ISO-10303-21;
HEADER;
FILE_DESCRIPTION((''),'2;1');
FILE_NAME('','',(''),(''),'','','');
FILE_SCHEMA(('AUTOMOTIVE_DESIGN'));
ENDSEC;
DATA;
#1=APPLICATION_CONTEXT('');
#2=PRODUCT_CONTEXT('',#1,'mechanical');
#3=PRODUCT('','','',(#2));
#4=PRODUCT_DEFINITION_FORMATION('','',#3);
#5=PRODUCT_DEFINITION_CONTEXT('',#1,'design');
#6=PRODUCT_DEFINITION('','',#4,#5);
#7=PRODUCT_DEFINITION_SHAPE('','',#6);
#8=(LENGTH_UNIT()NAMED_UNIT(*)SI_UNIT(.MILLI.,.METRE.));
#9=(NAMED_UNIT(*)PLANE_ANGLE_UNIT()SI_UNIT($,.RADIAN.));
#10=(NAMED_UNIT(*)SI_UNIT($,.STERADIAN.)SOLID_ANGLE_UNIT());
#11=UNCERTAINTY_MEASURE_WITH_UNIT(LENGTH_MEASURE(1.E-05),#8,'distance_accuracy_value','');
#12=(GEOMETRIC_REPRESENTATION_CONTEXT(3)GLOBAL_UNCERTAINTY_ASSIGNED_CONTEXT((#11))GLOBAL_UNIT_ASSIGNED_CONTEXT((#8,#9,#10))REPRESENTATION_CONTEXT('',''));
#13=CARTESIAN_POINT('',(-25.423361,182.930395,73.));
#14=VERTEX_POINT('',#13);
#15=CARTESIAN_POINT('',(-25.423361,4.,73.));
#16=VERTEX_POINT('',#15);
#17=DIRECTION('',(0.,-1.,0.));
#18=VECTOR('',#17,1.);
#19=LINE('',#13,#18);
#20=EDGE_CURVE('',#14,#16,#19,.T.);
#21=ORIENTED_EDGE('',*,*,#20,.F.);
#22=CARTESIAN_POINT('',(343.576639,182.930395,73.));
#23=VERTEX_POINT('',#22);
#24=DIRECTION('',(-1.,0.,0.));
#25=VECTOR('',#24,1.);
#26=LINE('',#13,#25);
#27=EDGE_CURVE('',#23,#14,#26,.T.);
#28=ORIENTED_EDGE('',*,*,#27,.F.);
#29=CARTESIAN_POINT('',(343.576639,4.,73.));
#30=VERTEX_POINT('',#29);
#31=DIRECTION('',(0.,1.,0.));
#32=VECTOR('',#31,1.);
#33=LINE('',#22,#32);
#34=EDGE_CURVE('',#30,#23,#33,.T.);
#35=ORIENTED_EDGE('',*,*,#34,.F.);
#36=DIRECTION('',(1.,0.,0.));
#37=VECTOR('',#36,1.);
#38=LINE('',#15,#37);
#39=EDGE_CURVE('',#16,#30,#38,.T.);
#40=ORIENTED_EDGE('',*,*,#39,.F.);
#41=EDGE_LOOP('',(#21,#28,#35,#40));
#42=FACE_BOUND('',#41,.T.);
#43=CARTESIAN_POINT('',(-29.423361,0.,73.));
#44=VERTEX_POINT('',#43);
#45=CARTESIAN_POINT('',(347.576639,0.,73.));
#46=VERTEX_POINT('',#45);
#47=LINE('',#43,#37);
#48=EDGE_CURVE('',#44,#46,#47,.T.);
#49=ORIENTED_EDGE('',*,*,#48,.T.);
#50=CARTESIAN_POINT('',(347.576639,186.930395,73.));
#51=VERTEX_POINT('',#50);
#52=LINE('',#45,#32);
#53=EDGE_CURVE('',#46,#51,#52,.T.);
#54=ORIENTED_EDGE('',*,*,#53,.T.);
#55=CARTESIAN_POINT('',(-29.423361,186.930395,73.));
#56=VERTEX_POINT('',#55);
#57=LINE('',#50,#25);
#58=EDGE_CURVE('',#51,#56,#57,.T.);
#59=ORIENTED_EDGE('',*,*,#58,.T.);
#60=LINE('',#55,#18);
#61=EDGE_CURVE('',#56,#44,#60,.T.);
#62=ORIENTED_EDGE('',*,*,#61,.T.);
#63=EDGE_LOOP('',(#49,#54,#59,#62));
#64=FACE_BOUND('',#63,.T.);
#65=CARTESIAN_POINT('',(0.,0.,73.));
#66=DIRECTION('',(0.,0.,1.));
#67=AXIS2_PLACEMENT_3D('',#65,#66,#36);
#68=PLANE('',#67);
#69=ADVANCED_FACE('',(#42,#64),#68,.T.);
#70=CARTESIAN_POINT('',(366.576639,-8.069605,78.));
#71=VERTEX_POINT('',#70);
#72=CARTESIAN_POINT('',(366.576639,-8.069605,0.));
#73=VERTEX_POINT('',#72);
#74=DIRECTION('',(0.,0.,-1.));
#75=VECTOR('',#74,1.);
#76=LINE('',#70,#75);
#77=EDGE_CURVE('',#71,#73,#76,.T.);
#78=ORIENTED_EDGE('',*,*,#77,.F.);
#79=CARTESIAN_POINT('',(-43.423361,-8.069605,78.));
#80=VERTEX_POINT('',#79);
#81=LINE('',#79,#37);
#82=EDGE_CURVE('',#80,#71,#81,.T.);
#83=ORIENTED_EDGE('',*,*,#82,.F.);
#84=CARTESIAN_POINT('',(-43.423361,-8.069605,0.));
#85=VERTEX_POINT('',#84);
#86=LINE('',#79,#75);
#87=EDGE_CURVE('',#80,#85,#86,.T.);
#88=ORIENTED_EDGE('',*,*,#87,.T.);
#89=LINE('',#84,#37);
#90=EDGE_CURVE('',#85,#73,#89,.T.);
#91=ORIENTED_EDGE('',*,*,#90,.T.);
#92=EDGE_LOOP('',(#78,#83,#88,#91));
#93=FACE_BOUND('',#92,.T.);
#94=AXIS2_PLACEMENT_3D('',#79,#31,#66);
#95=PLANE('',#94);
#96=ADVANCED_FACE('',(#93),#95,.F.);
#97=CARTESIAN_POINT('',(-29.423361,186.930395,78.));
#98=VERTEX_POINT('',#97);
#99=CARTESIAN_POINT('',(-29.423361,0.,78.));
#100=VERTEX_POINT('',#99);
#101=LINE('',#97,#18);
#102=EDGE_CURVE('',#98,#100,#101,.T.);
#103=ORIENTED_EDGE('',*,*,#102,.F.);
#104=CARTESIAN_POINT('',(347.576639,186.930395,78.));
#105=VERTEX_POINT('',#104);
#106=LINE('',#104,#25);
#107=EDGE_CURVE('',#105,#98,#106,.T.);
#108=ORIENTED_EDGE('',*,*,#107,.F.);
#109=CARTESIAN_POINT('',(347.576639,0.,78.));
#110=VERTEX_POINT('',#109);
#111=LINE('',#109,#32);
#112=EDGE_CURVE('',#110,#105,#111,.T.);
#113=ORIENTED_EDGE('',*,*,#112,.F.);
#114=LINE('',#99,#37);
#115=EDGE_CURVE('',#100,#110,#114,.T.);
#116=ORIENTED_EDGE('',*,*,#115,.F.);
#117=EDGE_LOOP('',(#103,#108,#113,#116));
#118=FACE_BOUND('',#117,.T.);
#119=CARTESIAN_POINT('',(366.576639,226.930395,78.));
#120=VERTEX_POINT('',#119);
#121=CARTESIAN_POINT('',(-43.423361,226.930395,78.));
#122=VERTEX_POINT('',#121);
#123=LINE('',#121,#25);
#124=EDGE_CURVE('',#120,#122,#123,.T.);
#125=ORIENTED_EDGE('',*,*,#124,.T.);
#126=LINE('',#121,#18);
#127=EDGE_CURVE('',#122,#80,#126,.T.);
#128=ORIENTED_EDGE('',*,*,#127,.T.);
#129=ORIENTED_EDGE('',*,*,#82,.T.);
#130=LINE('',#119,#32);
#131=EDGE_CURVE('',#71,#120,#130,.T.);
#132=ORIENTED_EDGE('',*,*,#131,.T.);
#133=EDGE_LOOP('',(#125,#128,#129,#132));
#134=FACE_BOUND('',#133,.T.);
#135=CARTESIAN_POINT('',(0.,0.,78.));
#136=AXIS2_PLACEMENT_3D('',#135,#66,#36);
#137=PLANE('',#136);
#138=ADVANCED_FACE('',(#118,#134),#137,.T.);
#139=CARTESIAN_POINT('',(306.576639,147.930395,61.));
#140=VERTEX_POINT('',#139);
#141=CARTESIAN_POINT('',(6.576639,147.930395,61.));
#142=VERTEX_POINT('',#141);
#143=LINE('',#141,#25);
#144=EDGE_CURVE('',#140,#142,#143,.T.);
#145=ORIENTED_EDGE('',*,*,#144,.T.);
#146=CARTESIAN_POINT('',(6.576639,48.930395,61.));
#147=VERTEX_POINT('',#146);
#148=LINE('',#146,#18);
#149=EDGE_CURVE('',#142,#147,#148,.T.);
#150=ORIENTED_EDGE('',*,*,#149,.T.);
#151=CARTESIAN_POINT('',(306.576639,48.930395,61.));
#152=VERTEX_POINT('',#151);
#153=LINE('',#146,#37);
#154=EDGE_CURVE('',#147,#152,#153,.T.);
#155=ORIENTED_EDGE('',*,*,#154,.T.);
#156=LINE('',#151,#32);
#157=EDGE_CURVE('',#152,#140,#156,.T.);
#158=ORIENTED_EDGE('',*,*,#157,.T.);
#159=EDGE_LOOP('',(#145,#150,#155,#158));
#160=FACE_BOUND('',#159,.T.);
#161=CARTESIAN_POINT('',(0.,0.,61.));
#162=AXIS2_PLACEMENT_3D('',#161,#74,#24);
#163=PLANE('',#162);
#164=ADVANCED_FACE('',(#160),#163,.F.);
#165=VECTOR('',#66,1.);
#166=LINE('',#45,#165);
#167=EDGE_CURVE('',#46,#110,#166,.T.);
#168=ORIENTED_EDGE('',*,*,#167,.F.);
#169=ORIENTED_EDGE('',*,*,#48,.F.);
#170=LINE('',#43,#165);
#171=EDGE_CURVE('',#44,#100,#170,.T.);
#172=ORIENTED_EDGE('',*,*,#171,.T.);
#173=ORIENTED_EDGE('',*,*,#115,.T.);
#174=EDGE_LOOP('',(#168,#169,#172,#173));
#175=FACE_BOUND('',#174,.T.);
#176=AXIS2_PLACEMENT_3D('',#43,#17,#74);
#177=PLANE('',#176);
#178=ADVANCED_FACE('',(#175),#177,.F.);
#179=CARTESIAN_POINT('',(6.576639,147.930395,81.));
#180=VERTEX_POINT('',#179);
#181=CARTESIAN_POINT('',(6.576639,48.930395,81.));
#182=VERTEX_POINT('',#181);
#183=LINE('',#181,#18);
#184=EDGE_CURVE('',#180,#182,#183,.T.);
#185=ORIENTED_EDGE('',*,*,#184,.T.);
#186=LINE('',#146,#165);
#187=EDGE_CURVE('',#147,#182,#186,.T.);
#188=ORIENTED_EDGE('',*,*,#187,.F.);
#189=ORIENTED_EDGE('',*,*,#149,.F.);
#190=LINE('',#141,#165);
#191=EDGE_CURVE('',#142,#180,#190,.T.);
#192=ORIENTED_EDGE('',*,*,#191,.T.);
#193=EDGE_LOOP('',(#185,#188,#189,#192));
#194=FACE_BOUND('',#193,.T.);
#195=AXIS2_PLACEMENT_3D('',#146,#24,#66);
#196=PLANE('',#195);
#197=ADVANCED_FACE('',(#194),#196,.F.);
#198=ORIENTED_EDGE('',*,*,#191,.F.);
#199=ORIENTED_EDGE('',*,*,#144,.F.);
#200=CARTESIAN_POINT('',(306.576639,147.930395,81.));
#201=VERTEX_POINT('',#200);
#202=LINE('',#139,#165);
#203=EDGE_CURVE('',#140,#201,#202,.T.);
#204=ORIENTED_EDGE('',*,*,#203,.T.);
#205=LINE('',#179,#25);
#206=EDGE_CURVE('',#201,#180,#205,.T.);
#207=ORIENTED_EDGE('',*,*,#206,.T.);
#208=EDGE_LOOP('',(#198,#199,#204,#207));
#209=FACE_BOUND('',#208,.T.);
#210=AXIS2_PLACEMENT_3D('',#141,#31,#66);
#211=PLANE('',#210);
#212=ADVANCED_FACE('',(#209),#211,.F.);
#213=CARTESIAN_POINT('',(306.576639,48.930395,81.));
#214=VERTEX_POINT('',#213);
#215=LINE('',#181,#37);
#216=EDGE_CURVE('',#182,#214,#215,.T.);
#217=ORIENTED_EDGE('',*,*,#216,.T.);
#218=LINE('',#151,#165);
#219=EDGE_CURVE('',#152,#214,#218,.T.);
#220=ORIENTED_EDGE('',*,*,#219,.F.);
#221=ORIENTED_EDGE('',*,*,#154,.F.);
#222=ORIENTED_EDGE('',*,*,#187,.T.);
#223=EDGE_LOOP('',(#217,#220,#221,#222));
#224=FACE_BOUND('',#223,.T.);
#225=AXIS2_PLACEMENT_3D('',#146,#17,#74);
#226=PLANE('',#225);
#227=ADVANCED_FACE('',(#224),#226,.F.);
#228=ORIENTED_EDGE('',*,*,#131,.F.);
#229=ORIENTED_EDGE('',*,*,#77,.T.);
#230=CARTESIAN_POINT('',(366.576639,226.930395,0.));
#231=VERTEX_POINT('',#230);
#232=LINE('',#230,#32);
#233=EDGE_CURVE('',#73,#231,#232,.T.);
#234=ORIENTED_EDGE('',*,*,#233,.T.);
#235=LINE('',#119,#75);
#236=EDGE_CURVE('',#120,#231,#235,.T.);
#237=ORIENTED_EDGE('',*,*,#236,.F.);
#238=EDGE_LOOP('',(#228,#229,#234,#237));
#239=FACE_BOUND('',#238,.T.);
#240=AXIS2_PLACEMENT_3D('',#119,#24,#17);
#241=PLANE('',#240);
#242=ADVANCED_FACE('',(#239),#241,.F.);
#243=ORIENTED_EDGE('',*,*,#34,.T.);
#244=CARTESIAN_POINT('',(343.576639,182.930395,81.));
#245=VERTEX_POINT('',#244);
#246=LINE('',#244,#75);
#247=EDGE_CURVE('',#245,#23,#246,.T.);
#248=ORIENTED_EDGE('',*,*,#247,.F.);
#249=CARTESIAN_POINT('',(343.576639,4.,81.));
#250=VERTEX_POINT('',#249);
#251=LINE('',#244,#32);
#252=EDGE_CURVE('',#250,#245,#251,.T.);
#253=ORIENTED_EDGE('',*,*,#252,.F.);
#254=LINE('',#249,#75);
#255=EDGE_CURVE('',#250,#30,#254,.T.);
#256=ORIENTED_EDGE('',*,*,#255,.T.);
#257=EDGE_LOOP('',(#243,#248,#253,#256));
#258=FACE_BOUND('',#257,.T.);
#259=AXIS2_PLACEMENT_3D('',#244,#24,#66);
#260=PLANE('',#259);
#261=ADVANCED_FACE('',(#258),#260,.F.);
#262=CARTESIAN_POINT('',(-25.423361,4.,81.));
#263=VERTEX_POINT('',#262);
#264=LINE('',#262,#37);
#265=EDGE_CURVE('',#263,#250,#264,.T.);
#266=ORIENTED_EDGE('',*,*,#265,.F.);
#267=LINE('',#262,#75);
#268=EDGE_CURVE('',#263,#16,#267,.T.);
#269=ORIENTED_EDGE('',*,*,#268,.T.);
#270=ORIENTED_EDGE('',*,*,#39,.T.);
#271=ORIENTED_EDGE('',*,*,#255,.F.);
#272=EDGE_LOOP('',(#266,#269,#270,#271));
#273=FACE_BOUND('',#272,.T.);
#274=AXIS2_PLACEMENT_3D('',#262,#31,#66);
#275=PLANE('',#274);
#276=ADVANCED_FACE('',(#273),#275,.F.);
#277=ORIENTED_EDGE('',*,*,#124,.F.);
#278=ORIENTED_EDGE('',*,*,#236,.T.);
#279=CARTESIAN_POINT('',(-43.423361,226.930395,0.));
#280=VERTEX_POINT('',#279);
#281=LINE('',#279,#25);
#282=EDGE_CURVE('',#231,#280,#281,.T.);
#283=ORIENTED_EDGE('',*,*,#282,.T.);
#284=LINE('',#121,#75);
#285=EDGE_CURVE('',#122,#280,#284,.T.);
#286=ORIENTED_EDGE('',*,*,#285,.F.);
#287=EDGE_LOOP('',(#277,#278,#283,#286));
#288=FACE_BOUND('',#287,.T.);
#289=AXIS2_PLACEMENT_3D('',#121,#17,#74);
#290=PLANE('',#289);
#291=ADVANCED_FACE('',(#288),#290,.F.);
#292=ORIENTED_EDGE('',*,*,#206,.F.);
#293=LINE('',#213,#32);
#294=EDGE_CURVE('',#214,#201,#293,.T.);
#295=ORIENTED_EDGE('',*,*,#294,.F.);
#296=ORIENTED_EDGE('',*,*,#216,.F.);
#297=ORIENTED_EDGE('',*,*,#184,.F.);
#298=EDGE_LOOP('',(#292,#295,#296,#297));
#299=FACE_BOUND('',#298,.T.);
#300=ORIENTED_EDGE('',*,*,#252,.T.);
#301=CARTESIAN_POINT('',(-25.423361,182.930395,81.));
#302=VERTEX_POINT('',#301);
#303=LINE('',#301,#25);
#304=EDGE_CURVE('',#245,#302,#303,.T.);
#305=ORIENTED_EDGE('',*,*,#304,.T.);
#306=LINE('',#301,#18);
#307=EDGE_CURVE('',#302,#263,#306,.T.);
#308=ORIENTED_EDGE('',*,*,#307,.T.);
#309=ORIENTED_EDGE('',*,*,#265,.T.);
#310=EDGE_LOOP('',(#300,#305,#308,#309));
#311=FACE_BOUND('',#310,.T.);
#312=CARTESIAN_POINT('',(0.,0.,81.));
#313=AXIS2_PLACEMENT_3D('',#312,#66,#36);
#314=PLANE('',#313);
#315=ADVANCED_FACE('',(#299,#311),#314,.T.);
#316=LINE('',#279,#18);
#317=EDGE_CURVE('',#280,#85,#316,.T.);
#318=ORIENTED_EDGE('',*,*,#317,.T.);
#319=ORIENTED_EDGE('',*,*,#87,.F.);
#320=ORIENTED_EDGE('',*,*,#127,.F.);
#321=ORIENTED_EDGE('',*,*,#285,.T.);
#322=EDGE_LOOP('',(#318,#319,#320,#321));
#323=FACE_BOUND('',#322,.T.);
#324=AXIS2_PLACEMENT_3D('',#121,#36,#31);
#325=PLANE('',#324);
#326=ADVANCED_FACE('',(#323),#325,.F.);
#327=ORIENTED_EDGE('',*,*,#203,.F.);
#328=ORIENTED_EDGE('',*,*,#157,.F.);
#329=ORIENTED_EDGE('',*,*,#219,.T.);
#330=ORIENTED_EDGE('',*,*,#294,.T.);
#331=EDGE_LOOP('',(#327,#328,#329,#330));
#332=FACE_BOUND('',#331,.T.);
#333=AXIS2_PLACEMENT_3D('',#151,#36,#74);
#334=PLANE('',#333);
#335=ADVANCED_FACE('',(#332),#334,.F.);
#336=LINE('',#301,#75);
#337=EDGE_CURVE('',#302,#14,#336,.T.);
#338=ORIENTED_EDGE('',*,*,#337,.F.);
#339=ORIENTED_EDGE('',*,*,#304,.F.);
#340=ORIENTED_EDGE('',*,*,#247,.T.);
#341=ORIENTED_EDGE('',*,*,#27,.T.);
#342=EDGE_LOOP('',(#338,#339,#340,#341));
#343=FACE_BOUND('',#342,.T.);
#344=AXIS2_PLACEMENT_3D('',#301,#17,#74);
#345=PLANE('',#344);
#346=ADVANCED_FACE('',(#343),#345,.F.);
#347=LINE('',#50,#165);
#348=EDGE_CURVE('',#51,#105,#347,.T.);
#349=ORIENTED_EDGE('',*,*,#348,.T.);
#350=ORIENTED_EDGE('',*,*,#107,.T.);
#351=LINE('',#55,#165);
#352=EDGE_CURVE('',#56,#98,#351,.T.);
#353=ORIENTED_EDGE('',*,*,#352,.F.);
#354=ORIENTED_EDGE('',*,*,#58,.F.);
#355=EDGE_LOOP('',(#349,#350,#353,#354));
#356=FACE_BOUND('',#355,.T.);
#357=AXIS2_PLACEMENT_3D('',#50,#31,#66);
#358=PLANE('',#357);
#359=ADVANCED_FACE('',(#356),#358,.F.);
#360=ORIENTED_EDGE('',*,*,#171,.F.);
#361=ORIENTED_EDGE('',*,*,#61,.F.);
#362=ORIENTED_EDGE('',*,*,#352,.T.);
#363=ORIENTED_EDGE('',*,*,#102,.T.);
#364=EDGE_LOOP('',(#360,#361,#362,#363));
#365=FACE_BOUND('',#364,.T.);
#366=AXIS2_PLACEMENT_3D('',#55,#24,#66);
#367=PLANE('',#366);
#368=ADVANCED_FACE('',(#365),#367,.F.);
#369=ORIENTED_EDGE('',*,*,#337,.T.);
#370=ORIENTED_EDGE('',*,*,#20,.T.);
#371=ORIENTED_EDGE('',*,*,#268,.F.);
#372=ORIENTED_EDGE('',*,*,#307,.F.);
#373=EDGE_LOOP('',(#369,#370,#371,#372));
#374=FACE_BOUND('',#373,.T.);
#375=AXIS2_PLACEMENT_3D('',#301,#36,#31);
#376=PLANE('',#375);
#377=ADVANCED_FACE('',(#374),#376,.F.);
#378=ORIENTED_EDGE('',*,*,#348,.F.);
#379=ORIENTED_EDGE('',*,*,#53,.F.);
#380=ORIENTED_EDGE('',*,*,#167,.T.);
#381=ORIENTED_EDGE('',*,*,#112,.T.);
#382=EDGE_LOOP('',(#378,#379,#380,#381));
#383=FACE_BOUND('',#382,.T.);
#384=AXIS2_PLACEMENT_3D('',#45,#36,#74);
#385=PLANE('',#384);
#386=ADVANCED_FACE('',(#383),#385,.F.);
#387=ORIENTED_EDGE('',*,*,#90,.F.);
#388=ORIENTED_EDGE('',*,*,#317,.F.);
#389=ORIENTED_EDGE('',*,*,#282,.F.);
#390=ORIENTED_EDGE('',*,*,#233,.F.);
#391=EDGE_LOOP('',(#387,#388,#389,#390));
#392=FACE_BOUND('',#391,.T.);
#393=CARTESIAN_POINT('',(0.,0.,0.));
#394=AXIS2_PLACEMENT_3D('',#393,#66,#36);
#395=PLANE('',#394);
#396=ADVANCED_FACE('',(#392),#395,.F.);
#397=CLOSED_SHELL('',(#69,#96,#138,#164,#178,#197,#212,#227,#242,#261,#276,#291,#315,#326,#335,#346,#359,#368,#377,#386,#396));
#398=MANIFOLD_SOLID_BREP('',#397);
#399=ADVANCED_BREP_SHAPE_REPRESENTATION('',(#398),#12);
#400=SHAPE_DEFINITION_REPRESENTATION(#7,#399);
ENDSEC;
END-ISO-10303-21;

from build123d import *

# Parameters (mm, degrees)
CROQUIS1_W              = 410
CROQUIS1_H              = 235
SALIENTE_EXTRUIR1_DEPTH = 78
CROQUIS2_W              = 377
CROQUIS2_H              = 186.930394922
CORTAR_EXTRUIR1_DEPTH   = 5
CROQUIS3_W              = 369
CROQUIS3_H              = 178.930394922
SALIENTE_EXTRUIR2_DEPTH = 8
CROQUIS5_W              = 300
CROQUIS5_H              = 99
CORTAR_EXTRUIR2_DEPTH   = 20


with BuildPart() as part:
    # Croquis1 → Saliente-Extruir1 (new body)
    with BuildSketch(Plane.XY):
        with Locations((161.576639223, 109.430394922)):
            Rectangle(CROQUIS1_W, CROQUIS1_H)
    extrude(amount=SALIENTE_EXTRUIR1_DEPTH)

    # Croquis2 → Cortar-Extruir1 (cut)
    with BuildSketch(Plane.XY.offset(78)):
        with Locations((159.076639223, 93.465197461)):
            Rectangle(CROQUIS2_W, CROQUIS2_H)
    extrude(amount=-CORTAR_EXTRUIR1_DEPTH, mode=Mode.SUBTRACT)

    # Croquis3 → Saliente-Extruir2 (add)
    with BuildSketch(Plane.XY.offset(73)):
        with Locations((159.076639223, 93.465197461)):
            Rectangle(CROQUIS3_W, CROQUIS3_H)
    extrude(amount=SALIENTE_EXTRUIR2_DEPTH)

    # Croquis5 → Cortar-Extruir2 (cut)
    with BuildSketch(Plane.XY.offset(81)):
        with Locations((156.576639223, 98.430394922)):
            Rectangle(CROQUIS5_W, CROQUIS5_H)
    extrude(amount=-CORTAR_EXTRUIR2_DEPTH, mode=Mode.SUBTRACT)


solid = part.part
